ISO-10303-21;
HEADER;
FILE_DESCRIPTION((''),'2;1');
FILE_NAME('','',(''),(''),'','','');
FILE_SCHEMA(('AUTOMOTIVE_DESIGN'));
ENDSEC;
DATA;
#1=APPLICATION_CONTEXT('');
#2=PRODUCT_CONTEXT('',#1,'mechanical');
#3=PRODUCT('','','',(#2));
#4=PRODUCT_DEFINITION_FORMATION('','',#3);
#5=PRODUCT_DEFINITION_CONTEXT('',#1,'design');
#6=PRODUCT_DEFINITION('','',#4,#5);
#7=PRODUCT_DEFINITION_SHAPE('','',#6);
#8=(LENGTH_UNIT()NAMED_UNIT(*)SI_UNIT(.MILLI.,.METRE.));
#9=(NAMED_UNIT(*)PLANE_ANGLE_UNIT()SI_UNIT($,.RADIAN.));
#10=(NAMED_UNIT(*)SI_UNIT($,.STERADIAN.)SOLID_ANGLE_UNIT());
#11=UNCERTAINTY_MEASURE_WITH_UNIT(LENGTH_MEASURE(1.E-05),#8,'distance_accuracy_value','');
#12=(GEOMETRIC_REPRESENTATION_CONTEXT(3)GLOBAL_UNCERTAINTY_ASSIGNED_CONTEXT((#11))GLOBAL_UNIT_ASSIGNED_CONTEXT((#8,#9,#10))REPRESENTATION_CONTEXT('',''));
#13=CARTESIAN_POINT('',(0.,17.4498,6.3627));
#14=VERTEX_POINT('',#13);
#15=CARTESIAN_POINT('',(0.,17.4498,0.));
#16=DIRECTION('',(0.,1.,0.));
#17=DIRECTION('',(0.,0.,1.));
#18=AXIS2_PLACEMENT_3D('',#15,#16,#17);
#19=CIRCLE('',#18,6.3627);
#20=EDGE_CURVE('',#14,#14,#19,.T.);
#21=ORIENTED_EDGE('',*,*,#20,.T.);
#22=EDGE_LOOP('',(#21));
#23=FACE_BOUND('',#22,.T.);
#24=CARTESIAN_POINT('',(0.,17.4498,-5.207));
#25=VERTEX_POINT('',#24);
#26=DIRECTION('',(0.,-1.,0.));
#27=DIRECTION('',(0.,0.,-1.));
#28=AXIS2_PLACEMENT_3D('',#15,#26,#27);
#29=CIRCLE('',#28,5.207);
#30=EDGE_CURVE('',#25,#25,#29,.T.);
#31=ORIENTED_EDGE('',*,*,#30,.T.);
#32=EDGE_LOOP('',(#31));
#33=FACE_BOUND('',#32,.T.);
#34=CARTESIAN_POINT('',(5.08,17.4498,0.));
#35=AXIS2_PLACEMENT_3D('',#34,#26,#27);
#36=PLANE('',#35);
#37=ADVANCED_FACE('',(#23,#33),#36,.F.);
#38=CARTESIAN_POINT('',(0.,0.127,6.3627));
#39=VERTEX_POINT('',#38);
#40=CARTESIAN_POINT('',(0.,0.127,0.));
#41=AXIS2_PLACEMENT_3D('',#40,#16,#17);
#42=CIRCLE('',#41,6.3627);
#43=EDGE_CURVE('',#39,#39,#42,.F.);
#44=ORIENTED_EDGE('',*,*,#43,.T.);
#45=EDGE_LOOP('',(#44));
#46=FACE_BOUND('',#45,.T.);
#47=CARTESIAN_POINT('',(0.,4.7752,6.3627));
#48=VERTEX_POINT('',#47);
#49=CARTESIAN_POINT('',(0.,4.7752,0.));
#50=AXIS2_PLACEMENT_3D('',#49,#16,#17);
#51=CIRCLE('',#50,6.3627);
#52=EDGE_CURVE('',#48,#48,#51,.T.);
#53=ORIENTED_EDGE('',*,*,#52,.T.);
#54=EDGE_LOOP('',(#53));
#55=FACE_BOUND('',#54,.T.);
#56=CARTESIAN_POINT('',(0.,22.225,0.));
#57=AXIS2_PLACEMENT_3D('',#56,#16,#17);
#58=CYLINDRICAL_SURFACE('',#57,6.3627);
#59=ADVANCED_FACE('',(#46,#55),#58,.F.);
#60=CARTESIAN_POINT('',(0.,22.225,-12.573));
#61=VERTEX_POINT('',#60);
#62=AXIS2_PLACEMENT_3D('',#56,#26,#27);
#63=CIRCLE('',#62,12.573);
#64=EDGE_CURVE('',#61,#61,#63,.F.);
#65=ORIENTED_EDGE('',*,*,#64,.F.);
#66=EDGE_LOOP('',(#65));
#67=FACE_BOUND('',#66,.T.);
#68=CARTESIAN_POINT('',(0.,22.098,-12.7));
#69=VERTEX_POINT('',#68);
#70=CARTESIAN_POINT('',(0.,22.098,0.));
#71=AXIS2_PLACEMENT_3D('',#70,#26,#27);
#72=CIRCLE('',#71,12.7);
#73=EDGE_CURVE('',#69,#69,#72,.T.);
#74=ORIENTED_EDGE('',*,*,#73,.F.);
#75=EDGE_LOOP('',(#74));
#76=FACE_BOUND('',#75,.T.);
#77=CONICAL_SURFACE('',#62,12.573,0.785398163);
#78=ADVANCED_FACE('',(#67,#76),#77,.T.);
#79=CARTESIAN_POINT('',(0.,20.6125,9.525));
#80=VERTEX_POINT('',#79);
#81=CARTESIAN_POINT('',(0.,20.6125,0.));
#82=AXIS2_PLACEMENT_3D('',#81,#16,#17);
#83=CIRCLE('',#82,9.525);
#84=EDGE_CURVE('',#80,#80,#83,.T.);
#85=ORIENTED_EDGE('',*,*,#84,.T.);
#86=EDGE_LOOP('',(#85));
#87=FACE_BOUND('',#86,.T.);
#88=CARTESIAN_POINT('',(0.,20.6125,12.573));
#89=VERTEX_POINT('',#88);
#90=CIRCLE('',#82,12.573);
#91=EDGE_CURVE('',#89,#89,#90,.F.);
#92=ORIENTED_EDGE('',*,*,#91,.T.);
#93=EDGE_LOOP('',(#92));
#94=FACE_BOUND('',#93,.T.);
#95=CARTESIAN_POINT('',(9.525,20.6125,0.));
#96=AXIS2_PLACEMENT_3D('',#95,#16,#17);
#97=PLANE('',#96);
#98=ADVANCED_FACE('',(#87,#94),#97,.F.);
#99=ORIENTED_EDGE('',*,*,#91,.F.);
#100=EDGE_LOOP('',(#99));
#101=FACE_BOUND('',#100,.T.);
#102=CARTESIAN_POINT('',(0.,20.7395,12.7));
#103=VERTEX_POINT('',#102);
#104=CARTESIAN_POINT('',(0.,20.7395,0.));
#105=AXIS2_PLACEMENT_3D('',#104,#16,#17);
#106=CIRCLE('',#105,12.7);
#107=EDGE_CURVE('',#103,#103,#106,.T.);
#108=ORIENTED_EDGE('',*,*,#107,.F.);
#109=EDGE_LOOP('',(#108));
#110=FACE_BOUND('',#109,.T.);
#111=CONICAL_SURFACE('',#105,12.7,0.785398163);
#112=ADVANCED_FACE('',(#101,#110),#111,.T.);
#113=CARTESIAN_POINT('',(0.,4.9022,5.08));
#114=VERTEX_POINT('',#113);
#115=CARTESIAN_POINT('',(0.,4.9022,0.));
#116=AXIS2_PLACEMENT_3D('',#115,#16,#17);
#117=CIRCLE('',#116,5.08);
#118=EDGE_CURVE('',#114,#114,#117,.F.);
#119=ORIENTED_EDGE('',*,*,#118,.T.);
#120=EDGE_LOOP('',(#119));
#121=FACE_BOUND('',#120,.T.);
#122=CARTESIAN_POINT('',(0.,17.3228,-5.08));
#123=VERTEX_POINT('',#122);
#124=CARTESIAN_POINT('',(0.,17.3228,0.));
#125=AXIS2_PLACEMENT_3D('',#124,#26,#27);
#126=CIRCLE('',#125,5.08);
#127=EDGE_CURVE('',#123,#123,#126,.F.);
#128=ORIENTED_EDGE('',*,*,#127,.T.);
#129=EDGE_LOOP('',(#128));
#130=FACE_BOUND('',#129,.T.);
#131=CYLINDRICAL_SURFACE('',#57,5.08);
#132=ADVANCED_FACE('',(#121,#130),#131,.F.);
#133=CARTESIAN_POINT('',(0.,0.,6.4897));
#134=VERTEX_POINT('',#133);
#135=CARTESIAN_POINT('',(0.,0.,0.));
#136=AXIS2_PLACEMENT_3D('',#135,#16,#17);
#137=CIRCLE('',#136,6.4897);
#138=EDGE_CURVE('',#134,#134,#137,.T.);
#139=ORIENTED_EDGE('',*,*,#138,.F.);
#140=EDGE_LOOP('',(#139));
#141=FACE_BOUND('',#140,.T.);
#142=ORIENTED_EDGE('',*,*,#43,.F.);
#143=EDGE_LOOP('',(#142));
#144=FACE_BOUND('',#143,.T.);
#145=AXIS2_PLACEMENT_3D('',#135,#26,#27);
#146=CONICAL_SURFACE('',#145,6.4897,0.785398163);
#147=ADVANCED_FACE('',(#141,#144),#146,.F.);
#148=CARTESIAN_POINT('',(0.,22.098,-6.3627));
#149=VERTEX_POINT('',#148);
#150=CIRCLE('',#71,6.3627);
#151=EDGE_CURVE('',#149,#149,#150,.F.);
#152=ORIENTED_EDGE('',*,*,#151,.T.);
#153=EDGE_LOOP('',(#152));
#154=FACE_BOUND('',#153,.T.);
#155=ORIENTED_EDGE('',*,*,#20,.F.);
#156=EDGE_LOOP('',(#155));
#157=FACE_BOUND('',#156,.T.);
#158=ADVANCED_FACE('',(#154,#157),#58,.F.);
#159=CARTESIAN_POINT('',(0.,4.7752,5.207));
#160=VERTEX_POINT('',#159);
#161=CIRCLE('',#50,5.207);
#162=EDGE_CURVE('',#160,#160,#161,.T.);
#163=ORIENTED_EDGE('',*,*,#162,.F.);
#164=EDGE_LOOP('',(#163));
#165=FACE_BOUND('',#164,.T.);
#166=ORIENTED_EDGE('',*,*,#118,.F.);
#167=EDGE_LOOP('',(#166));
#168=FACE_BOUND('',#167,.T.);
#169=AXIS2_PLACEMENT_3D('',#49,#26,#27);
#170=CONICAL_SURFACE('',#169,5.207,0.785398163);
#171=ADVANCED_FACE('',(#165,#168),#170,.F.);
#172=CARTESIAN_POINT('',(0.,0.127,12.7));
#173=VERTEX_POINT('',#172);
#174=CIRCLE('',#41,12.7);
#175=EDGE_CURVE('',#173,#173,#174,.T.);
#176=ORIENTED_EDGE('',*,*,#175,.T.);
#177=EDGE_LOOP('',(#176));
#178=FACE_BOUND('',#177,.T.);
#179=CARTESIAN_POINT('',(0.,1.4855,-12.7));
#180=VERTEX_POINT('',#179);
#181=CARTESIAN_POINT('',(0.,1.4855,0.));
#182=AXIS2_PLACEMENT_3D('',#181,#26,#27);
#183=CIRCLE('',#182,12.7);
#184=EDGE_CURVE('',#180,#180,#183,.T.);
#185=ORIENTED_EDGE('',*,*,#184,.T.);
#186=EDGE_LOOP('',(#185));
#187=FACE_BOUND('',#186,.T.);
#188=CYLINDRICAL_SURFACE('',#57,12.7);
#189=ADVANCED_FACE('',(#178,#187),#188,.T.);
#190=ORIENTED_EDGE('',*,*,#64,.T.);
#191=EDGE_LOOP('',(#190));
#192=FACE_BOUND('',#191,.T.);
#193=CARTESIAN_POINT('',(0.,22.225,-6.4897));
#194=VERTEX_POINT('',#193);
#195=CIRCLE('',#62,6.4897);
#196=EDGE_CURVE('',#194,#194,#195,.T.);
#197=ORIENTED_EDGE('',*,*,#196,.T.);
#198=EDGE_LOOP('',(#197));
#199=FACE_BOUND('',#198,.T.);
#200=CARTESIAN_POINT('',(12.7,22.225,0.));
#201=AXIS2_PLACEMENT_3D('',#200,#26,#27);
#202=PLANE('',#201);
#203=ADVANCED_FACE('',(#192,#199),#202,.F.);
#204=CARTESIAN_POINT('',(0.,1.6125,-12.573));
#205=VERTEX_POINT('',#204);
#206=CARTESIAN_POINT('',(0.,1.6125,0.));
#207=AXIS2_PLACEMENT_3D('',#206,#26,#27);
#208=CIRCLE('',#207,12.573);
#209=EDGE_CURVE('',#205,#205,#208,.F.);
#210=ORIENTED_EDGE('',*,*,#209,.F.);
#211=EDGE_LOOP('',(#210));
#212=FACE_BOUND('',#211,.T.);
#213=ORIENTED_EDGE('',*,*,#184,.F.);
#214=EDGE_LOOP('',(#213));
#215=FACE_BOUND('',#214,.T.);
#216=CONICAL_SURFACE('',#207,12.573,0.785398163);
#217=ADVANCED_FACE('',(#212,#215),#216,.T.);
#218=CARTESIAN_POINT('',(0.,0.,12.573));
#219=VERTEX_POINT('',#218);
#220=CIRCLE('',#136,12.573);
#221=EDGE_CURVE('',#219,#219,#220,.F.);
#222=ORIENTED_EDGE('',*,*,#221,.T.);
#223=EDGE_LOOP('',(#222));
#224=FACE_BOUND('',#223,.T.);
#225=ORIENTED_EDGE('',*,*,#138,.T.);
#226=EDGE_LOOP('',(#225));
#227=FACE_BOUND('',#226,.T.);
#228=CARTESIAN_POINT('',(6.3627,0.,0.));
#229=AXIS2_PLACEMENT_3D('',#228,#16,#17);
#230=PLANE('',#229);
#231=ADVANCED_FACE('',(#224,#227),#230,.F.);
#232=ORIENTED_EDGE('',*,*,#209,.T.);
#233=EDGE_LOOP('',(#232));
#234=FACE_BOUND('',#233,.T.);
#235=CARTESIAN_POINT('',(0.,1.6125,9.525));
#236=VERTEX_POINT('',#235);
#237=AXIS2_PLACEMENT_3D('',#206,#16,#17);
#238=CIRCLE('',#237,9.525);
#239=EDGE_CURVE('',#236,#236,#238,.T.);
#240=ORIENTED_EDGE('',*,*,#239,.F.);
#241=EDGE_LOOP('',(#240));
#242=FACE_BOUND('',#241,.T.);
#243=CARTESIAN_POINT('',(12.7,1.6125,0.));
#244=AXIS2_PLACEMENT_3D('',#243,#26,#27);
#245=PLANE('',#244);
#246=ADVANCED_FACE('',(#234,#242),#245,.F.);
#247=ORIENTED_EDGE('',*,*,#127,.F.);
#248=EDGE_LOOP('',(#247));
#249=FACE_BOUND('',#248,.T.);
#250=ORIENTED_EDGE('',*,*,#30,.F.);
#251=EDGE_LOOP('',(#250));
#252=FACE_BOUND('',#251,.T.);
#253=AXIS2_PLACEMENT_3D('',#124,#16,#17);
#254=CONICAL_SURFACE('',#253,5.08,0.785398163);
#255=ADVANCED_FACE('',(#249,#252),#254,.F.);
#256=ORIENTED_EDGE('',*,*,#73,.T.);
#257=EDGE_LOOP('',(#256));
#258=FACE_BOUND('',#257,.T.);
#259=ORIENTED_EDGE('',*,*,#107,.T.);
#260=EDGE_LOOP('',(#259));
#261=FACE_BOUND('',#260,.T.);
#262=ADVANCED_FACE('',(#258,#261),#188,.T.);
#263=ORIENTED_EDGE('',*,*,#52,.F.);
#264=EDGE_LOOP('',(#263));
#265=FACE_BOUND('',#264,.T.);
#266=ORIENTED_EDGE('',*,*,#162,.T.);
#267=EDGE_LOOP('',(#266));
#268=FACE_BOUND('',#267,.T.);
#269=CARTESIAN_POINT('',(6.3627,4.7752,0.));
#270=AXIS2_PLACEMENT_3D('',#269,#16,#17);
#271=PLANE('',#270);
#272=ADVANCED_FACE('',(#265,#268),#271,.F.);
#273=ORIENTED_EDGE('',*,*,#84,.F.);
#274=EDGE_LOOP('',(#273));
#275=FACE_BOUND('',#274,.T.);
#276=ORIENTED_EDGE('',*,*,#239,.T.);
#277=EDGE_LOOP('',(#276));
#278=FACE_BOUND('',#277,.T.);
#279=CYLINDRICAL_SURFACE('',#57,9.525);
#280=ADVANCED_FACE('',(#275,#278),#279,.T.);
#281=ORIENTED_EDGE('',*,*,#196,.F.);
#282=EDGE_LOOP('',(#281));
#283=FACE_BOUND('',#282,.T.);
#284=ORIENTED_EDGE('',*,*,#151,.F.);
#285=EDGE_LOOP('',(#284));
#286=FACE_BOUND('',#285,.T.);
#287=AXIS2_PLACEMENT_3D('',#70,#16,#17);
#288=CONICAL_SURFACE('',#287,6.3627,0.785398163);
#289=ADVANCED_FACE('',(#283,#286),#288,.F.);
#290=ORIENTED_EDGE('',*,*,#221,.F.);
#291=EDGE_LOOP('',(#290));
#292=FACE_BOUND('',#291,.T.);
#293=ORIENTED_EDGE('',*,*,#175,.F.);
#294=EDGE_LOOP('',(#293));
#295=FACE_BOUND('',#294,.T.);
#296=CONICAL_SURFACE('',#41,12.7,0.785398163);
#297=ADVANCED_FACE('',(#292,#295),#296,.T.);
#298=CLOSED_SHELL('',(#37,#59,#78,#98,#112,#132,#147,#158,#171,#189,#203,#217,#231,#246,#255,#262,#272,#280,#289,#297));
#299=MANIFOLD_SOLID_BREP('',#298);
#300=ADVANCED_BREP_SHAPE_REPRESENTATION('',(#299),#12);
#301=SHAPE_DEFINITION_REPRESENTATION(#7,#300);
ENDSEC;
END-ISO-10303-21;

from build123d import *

# Parameters (mm, degrees)
CHAMFER1_SIZE = 0.127


with BuildPart() as part:
    # Sketch1 → Revolve1 (revolve)
    with BuildSketch(Plane.XY, mode=Mode.PRIVATE) as revolve1_sk:
        Polygon((6.3627, 0), (12.7, 0), (12.7, 1.61249995), (9.525, 1.61249995), (9.525, 20.61250005), (12.7, 20.61250005), (12.7, 22.225), (6.3627, 22.225), (6.3627, 17.4498), (5.08, 17.4498), (5.08, 4.7752), (6.3627, 4.7752), align=None)
    revolve(revolve1_sk.sketch.rotate(Axis((0, 22.225, 0), (0, -1, 0)), 90), axis=Axis((0, 22.225, 0), (0, -1, 0)))

    # Chamfer1
    chamfer1_edges = [part.edges().sort_by_distance(p)[0] for p in [
        (0, 4.7752, -5.08),
        (0, 17.4498, -5.08),
        (0, 22.225, -6.3627),
        (0, 22.225, -12.7),
        (0, 20.61250005, -12.7),
        (0, 1.61249995, -12.7),
        (0, 0, -12.7),
        (0, 0, -6.3627),
    ]]
    chamfer(chamfer1_edges, length=CHAMFER1_SIZE)


solid = part.part
